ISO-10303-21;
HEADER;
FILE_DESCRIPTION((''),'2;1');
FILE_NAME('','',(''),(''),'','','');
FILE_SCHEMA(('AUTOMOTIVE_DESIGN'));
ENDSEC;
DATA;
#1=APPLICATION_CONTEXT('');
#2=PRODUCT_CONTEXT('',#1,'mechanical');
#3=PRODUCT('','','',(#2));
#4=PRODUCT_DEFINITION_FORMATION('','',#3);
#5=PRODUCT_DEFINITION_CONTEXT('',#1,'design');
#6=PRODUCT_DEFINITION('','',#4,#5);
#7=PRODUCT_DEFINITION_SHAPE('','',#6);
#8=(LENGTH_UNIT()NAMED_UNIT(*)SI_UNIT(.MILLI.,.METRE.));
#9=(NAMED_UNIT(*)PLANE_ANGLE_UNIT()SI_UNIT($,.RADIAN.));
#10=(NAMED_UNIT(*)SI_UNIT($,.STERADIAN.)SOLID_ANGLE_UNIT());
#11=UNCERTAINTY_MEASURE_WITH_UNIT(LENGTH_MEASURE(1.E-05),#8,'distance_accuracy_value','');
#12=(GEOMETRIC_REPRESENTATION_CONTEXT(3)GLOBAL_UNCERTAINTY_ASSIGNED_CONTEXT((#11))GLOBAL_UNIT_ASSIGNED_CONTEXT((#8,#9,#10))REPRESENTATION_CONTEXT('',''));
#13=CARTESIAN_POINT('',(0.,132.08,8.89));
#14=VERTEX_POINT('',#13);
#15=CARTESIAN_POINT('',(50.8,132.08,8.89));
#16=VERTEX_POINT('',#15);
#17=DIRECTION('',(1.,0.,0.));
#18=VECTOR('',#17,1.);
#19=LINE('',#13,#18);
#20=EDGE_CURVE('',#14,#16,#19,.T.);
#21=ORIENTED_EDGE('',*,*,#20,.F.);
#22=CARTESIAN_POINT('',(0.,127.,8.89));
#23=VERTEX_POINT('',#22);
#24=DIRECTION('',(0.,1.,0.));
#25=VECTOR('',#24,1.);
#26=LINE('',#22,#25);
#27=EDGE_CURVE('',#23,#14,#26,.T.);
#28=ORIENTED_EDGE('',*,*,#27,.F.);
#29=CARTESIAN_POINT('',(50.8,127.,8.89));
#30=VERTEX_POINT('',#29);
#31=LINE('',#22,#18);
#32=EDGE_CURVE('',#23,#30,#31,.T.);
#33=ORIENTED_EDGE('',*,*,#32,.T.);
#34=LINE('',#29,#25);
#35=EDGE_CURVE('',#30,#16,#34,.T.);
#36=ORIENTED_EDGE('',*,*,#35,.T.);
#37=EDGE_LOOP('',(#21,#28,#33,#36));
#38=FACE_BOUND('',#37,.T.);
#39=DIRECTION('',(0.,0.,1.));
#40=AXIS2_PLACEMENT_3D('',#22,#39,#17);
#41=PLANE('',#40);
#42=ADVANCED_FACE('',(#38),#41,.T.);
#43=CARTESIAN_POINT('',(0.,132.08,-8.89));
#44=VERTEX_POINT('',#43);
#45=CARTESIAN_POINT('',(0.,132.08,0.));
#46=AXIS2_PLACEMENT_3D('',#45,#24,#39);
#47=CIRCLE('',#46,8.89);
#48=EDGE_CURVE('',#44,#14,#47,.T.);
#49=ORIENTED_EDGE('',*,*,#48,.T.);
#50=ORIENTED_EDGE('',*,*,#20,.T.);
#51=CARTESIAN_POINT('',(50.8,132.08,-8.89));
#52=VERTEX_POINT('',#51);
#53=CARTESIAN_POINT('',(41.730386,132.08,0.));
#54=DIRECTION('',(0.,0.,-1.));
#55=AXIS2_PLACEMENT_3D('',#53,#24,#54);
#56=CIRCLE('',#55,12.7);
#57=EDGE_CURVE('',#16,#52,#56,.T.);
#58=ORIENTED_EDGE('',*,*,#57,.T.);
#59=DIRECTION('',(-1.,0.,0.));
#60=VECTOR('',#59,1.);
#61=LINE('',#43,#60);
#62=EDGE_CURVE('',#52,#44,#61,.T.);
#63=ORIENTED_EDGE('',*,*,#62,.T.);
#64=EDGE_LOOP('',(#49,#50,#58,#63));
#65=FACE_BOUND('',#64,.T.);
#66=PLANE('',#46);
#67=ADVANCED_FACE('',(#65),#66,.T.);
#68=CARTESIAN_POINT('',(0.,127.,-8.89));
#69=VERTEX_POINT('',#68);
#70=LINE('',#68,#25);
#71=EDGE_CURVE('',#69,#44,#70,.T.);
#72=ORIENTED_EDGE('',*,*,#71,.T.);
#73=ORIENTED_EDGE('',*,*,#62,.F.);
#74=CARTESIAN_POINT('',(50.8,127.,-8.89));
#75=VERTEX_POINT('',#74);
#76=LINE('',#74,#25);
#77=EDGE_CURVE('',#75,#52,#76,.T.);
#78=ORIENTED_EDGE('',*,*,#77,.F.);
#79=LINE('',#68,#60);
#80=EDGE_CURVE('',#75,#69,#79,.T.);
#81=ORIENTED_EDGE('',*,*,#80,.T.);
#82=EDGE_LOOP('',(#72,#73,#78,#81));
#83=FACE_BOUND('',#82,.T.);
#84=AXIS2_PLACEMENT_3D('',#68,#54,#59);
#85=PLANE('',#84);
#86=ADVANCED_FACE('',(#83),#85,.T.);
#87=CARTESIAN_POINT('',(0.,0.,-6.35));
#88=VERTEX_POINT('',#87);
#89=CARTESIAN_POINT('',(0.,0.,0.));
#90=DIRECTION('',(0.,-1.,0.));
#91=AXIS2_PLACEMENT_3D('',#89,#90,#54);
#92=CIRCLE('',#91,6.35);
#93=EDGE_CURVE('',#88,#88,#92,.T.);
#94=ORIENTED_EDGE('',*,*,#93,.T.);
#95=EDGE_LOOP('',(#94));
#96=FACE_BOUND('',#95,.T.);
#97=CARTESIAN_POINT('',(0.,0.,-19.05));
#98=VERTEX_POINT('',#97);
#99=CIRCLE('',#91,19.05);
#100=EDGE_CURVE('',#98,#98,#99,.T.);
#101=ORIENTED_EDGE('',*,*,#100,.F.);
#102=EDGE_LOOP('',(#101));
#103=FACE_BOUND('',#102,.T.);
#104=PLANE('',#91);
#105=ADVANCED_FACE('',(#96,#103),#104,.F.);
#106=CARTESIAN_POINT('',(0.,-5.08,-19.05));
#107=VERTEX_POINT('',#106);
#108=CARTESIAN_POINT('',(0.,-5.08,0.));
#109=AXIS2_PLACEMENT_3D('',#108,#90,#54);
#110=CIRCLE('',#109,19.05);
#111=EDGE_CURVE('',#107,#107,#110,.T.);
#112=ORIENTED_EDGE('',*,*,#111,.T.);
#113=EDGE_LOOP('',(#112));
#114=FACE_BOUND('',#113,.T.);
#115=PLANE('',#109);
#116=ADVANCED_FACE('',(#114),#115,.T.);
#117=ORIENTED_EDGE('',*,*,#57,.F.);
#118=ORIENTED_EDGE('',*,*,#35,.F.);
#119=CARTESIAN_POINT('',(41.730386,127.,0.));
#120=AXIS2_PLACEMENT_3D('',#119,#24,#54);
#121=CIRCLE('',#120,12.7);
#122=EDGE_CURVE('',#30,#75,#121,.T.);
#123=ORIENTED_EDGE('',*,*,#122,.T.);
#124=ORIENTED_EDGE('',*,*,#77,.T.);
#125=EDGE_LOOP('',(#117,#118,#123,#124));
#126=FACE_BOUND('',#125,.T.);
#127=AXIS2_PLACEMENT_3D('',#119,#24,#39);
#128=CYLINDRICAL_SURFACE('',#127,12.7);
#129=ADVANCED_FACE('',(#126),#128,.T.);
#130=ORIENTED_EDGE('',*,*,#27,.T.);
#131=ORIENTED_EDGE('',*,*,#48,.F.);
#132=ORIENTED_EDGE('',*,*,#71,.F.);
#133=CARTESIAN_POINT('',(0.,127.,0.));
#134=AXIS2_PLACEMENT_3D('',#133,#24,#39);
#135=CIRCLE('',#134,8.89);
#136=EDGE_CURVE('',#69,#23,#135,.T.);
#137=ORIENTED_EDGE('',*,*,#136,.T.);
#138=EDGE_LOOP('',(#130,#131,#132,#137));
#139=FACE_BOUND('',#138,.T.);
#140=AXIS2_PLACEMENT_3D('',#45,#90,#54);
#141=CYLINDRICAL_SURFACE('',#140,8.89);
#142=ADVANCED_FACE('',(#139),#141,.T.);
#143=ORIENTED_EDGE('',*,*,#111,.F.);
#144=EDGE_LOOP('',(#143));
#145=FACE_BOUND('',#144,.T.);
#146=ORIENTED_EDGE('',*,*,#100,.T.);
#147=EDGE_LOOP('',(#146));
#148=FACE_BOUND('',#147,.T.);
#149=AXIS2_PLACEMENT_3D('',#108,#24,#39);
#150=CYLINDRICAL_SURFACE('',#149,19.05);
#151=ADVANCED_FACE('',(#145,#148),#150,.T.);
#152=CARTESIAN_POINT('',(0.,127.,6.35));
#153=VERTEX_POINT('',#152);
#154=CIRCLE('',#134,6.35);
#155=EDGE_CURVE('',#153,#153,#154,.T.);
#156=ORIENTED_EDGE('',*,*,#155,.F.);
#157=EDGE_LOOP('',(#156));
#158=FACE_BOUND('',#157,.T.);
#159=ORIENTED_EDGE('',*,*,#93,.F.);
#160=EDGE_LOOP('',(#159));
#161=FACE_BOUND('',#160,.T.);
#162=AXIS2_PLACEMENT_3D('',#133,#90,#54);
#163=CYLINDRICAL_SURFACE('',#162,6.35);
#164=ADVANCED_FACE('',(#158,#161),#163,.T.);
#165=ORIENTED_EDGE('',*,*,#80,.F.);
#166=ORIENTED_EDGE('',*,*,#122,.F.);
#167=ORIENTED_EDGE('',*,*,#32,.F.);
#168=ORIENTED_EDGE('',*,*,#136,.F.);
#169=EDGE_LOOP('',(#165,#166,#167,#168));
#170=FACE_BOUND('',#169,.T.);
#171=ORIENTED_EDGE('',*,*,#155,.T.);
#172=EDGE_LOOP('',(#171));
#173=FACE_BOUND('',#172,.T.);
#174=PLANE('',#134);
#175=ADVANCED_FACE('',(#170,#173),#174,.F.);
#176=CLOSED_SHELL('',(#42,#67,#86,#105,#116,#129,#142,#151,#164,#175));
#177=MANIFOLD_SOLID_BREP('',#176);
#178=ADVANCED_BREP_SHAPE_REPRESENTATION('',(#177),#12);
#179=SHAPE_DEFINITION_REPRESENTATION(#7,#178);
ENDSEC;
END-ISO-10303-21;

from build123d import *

# Parameters (mm, degrees)
SKETCH1_R           = 6.35
BOSS_EXTRUDE2_DEPTH = 127
SKETCH2_R           = 8.89
BOSS_EXTRUDE3_DEPTH = 5.08
BOSS_EXTRUDE5_DEPTH = 5.08
SKETCH4_R           = 19.05
BOSS_EXTRUDE6_DEPTH = 5.08


with BuildPart() as part:
    # Sketch1 → Boss-Extrude2 (new body)
    with BuildSketch(Plane(origin=(0, 0, 0), x_dir=(1, 0, 0), z_dir=(0, 1, 0))):
        with Locations(Location((0, 0, 0), (0, 0, 270))):
            Circle(SKETCH1_R)
    extrude(amount=BOSS_EXTRUDE2_DEPTH)

    # Sketch2 → Boss-Extrude3 (add)
    with BuildSketch(Plane(origin=(0, 127, 0), x_dir=(1, 0, 0), z_dir=(0, 1, 0))):
        with Locations(Location((0, 0, 0), (0, 0, 270))):
            Circle(SKETCH2_R)
    extrude(amount=BOSS_EXTRUDE3_DEPTH)

    # Sketch3 → Boss-Extrude5 (add)
    with BuildSketch(Plane(origin=(0, 132.08, 0), x_dir=(1, 0, 0), z_dir=(0, 1, 0))):
        with BuildLine():
            Line((0, 8.89), (50.8, 8.89))
            ThreePointArc((50.8, 8.89), (54.430385896, 0), (50.8, -8.89))
            Line((50.8, -8.89), (0, -8.89))
            Line((0, -8.89), (0, 8.89))
        make_face()
    extrude(amount=-BOSS_EXTRUDE5_DEPTH)

    # Sketch4 → Boss-Extrude6 (add)
    with BuildSketch(Plane.XZ):
        with Locations(Location((0, 0, 0), (0, 0, 270))):
            Circle(SKETCH4_R)
    extrude(amount=BOSS_EXTRUDE6_DEPTH)


solid = part.part
